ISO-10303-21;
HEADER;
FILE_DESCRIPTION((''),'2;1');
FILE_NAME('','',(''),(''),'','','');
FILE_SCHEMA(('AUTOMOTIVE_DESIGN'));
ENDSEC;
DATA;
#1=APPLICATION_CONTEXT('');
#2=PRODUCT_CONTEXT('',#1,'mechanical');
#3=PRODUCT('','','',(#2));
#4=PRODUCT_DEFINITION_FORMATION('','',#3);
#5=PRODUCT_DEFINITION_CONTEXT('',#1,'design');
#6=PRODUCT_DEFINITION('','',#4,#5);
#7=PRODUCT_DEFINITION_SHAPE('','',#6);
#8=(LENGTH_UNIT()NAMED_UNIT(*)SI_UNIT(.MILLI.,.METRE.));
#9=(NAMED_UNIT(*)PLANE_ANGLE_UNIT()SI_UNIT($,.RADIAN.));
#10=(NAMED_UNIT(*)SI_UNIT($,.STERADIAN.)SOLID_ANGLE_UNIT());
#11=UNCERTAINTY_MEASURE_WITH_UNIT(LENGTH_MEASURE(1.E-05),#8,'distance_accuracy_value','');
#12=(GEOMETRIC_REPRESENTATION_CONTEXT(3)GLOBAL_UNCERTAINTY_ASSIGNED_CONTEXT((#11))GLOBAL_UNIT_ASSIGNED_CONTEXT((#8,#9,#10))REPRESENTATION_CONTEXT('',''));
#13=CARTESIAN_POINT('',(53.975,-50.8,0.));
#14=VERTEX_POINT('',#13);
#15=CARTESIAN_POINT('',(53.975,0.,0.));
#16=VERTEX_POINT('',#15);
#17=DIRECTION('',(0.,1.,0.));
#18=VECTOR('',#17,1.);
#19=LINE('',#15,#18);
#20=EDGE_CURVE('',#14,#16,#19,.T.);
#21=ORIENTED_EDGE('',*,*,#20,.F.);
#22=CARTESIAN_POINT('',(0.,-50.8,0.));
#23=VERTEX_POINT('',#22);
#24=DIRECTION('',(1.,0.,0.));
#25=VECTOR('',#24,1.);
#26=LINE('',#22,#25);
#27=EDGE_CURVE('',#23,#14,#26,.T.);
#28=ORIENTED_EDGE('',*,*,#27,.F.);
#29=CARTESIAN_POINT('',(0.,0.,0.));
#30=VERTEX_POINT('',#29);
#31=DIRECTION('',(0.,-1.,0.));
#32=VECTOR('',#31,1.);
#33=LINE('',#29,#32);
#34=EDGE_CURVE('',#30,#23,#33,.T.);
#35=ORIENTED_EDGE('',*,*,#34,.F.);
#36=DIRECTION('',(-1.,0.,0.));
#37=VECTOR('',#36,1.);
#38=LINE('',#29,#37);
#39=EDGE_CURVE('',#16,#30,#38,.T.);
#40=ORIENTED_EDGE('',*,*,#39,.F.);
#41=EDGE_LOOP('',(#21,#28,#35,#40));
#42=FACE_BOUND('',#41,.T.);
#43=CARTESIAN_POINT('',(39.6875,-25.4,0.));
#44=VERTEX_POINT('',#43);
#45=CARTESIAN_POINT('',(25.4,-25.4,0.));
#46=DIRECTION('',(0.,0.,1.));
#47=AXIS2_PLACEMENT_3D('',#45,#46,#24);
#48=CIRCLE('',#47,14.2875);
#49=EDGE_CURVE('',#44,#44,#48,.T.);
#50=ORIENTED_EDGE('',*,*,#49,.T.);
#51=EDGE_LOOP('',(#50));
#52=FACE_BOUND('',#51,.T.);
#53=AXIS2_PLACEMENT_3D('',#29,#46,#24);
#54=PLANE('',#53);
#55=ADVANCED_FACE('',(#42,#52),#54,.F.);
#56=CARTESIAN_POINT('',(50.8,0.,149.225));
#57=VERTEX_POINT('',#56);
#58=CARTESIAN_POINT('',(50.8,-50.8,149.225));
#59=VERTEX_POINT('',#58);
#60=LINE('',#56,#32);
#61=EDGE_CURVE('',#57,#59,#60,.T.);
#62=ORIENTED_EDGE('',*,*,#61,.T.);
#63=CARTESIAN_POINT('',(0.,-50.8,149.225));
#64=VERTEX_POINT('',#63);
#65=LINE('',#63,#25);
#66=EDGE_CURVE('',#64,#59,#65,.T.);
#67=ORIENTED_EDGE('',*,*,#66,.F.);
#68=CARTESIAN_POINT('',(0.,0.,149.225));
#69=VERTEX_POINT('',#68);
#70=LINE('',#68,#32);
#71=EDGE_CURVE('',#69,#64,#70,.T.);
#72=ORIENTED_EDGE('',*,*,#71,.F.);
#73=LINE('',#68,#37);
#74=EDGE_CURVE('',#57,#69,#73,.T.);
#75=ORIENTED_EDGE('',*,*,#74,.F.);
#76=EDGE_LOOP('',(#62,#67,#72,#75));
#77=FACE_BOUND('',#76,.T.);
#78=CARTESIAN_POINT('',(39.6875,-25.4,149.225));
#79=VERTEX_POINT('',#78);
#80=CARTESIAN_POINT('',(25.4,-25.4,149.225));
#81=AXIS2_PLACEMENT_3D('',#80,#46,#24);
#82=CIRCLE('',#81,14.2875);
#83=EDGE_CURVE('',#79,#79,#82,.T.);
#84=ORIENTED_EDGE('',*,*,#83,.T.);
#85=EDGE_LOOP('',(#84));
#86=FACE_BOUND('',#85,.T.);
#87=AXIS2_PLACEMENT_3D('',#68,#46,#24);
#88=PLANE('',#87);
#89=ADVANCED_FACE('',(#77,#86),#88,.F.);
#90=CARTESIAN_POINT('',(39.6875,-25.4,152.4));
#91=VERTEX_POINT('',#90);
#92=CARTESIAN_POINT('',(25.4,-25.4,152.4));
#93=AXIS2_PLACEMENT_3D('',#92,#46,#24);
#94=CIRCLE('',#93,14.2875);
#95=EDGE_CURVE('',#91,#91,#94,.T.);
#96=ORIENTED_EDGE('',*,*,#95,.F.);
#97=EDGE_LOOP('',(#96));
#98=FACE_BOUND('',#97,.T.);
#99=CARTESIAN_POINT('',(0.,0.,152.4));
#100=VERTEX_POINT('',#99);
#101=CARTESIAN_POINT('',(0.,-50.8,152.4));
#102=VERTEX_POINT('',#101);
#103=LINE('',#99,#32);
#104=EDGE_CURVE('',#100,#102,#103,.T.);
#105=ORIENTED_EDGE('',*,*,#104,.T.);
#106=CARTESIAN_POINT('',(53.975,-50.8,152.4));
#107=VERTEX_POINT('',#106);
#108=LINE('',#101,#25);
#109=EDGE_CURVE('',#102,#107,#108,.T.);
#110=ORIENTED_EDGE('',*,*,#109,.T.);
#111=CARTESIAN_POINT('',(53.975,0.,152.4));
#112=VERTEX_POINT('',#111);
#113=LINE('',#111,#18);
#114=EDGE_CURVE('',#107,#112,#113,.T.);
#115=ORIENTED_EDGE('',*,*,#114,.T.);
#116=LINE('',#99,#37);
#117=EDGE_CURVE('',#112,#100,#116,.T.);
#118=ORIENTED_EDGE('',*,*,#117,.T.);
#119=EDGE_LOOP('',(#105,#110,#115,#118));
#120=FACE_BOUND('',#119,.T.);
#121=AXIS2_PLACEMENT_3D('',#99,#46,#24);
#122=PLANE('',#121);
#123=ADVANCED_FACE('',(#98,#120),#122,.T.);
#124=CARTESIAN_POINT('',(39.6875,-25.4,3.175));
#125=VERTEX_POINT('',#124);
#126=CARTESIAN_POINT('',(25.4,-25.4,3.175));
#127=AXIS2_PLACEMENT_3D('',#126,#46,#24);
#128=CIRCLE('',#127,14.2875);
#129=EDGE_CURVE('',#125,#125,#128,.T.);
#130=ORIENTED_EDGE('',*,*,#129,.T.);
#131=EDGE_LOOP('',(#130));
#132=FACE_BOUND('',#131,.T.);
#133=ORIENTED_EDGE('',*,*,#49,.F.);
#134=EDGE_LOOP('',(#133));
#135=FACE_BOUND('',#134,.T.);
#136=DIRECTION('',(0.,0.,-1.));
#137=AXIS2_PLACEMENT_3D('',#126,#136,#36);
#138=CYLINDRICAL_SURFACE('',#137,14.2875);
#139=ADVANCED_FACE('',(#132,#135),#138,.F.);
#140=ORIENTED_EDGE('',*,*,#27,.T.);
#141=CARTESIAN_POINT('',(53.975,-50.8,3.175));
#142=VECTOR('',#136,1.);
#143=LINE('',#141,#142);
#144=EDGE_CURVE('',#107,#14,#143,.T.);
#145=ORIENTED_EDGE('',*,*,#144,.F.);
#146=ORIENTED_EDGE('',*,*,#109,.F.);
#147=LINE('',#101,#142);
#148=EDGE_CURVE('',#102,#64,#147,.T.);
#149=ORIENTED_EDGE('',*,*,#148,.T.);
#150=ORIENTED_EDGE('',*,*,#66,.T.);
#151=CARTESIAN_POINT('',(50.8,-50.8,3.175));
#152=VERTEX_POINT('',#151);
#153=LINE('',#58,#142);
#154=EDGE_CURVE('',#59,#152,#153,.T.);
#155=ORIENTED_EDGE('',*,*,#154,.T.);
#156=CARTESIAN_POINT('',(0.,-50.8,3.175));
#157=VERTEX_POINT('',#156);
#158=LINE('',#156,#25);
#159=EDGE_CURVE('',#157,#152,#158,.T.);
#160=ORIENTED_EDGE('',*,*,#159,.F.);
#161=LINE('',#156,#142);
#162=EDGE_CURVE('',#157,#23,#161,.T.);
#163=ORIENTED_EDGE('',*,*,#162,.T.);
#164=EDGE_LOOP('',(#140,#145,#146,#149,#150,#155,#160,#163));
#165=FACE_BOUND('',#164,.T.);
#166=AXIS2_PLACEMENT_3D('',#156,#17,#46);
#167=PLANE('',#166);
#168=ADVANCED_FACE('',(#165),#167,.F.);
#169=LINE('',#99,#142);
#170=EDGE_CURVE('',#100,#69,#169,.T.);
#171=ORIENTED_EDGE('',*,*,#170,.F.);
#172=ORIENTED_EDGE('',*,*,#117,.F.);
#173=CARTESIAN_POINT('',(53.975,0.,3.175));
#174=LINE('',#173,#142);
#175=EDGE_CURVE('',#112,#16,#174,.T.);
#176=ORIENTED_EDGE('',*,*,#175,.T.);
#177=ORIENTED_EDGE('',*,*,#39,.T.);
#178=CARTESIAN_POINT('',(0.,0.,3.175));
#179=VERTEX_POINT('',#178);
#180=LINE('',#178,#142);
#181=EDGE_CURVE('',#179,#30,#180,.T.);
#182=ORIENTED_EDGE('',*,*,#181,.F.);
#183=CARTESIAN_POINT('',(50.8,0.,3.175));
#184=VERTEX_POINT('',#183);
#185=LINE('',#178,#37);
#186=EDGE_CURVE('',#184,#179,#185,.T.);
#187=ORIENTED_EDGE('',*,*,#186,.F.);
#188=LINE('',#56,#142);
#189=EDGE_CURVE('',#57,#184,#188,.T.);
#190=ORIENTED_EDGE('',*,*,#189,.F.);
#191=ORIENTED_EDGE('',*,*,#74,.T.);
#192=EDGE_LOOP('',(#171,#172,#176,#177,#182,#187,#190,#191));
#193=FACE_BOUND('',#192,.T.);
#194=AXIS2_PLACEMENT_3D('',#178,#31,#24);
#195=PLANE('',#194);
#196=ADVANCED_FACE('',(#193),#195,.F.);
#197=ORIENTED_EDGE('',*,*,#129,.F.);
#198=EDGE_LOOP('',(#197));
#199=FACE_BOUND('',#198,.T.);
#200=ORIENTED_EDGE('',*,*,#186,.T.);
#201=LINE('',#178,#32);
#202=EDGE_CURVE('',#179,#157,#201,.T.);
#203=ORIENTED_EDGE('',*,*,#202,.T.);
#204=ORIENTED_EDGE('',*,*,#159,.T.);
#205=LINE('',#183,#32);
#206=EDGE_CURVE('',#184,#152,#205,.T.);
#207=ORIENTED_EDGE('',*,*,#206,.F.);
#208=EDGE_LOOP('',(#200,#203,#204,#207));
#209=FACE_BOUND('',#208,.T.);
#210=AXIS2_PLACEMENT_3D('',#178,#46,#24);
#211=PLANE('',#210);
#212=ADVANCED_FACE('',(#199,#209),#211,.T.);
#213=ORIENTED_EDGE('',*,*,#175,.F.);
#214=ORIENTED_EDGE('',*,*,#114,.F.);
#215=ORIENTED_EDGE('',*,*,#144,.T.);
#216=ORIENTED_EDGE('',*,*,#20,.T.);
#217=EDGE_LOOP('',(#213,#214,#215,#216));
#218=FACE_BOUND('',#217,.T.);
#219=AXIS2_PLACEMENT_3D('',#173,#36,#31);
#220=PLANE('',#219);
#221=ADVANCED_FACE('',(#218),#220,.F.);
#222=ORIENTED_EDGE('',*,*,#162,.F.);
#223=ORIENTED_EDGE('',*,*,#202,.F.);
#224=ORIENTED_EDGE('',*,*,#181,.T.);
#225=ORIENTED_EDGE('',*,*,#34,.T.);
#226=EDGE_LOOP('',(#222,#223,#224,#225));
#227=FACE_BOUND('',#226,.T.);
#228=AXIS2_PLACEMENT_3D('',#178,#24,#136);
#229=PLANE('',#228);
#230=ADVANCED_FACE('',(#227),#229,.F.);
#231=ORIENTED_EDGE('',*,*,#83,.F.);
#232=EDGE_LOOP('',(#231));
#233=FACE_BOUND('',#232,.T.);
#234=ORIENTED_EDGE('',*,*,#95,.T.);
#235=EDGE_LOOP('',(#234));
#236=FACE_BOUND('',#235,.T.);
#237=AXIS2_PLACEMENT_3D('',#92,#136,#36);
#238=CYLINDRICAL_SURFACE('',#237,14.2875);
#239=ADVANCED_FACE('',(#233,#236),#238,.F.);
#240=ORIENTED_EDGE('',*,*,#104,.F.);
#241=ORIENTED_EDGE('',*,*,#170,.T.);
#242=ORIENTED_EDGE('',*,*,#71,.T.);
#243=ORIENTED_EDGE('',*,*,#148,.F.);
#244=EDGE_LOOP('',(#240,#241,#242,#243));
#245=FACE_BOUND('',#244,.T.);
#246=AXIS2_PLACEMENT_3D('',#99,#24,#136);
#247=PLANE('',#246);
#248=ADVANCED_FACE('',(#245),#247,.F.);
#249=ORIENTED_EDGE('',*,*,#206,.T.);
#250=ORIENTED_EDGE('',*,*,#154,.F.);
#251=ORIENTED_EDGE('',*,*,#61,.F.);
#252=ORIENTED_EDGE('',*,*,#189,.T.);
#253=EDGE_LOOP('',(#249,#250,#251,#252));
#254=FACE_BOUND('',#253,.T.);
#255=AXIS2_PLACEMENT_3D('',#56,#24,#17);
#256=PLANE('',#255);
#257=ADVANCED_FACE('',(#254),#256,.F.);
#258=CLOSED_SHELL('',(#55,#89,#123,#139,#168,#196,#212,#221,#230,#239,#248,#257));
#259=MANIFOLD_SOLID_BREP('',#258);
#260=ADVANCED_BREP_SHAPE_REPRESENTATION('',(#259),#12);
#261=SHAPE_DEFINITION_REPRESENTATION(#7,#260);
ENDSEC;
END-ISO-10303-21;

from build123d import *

# Parameters (mm, degrees)
SKETCH1_W           = 53.975
SKETCH1_H           = 50.8
SKETCH1_R           = 14.2875
BOSS_EXTRUDE1_DEPTH = 3.175
SKETCH2_W           = 3.175
SKETCH2_H           = 50.8
BOSS_EXTRUDE2_DEPTH = 146.05
SKETCH3_W           = 3.175
SKETCH3_H           = 50.8
SKETCH3_W_2         = 50.8
SKETCH3_R           = 14.2875
BOSS_EXTRUDE3_DEPTH = 3.175


with BuildPart() as part:
    # Sketch1 → Boss-Extrude1 (new body)
    with BuildSketch(Plane.XY):
        with Locations((26.9875, -25.4)):
            Rectangle(SKETCH1_W, SKETCH1_H)
        with Locations((25.4, -25.4)):
            Circle(SKETCH1_R, mode=Mode.SUBTRACT)
    extrude(amount=BOSS_EXTRUDE1_DEPTH)

    # Sketch2 → Boss-Extrude2 (add)
    with BuildSketch(Plane.XY.offset(3.175)):
        with Locations((52.3875, -25.4)):
            Rectangle(SKETCH2_W, SKETCH2_H)
    extrude(amount=BOSS_EXTRUDE2_DEPTH)

    # Sketch3 → Boss-Extrude3 (add)
    # profile 1 of 2: a face of its own
    with BuildSketch(Plane.XY.offset(149.225)):
        with Locations((52.3875, -25.4)):
            Rectangle(SKETCH3_W, SKETCH3_H)
    # profile 2 of 2: a face of its own
    with BuildSketch(Plane.XY.offset(149.225)):
        with Locations((25.4, -25.4)):
            Rectangle(SKETCH3_W_2, SKETCH3_H)
        with Locations((25.4, -25.4)):
            Circle(SKETCH3_R, mode=Mode.SUBTRACT)
    extrude(amount=BOSS_EXTRUDE3_DEPTH)


solid = part.part
